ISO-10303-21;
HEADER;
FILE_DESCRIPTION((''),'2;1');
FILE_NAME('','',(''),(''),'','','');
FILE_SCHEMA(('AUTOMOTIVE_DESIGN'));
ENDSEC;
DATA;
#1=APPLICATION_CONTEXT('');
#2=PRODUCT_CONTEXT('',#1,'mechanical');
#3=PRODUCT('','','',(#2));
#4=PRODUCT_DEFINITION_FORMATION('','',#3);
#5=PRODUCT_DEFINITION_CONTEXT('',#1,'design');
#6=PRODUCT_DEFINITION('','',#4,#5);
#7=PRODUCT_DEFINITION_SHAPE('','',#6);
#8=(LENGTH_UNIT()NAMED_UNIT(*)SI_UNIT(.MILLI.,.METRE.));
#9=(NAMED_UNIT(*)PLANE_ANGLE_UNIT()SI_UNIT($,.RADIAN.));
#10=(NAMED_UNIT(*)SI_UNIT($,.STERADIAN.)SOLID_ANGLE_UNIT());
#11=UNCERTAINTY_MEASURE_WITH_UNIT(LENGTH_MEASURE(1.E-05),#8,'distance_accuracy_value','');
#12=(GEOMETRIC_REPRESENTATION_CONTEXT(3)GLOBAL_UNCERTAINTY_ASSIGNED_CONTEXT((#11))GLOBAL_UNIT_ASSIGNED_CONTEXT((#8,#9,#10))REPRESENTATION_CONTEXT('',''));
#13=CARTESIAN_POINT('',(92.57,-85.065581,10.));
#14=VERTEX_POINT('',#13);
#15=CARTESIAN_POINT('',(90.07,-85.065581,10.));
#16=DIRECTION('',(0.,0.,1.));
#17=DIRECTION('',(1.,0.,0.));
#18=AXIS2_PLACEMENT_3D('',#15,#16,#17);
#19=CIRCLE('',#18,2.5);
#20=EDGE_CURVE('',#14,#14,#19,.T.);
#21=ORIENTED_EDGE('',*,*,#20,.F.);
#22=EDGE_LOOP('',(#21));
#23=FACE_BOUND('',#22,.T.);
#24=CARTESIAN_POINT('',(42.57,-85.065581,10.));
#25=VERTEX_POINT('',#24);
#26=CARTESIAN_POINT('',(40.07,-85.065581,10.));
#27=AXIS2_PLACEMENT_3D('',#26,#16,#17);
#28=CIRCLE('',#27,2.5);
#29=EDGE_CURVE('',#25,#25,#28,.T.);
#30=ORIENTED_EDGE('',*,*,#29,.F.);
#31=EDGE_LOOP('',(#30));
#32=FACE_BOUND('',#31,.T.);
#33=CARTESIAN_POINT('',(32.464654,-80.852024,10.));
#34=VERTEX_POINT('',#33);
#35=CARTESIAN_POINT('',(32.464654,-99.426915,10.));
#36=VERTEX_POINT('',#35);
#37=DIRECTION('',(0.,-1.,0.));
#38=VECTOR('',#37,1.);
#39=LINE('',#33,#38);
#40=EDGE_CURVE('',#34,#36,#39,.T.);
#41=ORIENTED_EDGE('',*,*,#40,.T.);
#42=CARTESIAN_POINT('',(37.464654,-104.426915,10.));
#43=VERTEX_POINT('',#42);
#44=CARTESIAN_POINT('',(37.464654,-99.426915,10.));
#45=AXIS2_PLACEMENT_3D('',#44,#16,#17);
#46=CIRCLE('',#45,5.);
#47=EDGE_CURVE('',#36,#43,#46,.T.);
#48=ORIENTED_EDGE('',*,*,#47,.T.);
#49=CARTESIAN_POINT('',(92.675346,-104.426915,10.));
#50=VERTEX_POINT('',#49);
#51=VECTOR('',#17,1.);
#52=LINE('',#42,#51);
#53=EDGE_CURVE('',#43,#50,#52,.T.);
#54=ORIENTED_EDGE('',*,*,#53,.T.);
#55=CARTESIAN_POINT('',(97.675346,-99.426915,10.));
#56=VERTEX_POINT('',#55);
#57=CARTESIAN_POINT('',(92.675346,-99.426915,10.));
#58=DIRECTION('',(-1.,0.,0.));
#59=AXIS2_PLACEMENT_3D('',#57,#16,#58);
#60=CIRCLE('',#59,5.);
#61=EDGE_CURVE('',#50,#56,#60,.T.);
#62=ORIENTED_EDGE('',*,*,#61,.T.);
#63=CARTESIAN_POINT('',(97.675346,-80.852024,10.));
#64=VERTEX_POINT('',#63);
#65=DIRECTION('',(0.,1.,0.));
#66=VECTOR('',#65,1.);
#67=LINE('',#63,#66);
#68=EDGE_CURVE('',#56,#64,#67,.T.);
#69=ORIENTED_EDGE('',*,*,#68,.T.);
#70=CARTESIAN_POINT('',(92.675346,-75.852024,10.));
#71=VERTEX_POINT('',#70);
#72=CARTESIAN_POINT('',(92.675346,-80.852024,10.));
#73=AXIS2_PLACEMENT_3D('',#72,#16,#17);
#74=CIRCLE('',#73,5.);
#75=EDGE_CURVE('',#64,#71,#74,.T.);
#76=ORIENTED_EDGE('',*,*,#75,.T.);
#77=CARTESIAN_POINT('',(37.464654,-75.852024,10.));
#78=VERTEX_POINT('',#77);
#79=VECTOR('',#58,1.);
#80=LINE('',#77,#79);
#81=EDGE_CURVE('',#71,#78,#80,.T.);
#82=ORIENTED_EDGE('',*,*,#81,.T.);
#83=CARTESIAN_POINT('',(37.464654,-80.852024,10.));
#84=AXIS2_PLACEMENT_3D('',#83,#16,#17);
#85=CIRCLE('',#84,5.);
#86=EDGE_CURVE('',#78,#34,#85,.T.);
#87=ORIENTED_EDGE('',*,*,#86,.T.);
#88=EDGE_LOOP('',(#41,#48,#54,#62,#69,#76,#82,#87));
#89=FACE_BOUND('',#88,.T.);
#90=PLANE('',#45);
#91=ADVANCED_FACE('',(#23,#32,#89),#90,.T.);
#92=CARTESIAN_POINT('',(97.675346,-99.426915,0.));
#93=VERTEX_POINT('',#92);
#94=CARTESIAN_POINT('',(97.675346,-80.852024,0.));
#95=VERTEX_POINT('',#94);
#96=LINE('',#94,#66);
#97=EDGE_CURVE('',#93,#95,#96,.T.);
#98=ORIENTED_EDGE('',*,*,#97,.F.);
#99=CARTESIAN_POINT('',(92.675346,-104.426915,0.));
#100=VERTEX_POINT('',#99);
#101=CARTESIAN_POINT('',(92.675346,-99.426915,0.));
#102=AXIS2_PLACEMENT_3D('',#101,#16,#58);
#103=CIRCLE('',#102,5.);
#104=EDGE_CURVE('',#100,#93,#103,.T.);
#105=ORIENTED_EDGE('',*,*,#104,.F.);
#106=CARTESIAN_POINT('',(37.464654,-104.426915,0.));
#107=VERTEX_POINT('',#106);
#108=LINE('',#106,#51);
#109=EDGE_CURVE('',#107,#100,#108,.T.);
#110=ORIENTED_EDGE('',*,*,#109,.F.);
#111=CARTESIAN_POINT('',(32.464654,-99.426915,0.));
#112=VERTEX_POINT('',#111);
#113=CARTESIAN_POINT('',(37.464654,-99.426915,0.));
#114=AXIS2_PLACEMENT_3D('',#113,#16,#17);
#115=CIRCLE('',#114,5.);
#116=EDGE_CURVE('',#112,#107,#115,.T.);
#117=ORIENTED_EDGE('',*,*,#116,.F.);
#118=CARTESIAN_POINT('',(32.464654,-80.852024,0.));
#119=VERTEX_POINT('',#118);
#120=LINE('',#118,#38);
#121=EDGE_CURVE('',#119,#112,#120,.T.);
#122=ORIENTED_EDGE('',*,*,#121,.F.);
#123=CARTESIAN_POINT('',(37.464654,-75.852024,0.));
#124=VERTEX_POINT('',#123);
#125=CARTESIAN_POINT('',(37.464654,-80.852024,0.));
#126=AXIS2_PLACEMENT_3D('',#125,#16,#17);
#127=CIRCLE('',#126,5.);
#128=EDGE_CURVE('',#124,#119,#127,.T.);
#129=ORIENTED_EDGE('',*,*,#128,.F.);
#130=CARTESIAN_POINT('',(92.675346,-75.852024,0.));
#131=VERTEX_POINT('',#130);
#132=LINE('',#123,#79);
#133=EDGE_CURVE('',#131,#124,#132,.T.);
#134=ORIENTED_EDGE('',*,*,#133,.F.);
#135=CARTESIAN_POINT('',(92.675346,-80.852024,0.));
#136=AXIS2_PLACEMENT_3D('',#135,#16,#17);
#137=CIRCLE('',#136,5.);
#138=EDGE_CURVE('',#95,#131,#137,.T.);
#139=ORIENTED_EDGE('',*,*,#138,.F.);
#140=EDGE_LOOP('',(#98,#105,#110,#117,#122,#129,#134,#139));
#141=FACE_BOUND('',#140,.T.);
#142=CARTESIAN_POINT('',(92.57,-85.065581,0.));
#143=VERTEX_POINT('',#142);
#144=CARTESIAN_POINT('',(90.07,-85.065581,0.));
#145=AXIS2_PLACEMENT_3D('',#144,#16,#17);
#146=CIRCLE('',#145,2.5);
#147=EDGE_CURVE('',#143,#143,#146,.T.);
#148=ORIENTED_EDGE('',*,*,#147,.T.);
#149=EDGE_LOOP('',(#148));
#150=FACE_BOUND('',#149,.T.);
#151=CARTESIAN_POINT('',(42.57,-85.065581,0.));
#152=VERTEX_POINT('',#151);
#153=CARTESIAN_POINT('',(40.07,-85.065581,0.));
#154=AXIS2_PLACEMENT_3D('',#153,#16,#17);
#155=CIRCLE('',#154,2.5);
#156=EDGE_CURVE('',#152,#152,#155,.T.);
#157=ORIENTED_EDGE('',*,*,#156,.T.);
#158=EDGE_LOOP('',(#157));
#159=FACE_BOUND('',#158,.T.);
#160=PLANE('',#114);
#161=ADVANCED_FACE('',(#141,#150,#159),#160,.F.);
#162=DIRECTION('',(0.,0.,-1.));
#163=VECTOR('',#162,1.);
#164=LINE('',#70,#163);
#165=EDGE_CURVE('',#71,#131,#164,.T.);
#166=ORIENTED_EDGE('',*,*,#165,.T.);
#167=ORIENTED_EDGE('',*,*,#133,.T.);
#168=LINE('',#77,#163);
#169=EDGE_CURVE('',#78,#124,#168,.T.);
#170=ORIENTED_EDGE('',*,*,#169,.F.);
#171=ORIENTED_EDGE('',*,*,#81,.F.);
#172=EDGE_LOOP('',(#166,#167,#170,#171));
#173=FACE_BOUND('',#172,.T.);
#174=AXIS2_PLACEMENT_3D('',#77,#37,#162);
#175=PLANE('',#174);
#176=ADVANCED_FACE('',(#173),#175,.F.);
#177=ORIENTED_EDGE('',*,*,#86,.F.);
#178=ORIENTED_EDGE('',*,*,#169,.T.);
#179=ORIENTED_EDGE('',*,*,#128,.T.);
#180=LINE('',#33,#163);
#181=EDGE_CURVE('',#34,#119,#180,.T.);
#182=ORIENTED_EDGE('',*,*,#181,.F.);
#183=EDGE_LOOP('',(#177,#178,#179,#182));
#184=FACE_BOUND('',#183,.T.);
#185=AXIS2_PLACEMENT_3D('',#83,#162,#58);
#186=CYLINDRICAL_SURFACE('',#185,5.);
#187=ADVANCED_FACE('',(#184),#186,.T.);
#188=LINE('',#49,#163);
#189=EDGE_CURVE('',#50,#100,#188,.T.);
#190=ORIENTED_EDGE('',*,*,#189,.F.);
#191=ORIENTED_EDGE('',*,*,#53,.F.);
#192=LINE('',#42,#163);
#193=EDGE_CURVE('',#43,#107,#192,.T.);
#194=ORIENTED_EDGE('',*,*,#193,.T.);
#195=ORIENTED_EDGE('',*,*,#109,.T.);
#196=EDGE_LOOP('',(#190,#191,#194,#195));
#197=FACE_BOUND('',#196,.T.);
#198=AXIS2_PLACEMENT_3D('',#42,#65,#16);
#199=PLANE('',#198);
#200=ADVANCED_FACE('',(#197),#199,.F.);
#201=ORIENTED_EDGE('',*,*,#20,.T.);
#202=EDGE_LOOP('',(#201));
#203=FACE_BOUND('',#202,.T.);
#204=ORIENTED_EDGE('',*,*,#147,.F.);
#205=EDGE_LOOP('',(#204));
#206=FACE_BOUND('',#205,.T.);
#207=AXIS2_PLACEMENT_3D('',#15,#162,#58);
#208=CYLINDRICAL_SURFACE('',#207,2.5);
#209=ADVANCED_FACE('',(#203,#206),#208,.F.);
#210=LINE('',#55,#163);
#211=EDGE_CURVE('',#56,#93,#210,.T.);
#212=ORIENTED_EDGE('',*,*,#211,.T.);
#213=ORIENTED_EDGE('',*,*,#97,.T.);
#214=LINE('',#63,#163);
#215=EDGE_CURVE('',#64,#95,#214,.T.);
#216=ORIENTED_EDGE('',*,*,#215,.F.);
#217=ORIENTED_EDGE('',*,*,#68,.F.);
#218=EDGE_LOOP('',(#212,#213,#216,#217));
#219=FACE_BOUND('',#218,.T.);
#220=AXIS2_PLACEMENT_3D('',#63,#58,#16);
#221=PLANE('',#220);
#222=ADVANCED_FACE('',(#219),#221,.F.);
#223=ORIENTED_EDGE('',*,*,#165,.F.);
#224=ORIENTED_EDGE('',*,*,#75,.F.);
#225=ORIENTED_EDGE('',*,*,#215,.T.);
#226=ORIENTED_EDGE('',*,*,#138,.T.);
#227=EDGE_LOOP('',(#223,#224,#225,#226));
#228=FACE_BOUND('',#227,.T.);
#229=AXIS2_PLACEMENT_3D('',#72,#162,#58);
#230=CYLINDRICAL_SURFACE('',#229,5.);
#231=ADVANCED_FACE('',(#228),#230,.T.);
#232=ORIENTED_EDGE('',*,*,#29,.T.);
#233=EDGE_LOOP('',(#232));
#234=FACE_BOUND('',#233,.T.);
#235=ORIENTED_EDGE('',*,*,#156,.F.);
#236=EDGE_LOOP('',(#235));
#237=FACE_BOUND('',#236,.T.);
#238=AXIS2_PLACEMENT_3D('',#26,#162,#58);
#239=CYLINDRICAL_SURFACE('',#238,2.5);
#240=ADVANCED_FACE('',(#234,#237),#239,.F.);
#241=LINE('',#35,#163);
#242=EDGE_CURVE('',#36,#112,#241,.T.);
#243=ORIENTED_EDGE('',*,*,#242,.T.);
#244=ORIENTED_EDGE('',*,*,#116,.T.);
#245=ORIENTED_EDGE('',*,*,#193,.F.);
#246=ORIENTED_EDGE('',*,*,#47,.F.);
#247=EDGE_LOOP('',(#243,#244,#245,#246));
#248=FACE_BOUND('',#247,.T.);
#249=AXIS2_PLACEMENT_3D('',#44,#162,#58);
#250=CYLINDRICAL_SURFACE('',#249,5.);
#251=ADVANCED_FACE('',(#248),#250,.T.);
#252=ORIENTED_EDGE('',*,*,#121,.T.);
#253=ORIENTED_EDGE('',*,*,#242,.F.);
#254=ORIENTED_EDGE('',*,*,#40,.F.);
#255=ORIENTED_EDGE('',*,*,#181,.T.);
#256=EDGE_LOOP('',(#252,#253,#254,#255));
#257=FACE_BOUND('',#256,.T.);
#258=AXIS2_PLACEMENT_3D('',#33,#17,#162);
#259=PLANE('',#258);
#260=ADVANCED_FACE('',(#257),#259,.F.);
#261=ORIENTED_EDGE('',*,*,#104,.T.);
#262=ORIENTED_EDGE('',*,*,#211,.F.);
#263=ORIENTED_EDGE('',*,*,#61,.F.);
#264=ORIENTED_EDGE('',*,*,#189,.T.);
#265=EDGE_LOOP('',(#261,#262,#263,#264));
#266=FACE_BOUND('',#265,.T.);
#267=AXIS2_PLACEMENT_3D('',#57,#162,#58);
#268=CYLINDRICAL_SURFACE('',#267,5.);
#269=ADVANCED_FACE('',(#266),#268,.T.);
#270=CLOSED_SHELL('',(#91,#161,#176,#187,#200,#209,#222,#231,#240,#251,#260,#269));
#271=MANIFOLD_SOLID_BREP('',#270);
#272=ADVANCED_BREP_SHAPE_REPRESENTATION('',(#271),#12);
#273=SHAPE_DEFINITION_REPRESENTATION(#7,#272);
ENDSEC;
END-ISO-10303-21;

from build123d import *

# Parameters (mm, degrees)
SKETCH1_R           = 2.5
BOSS_EXTRUDE1_DEPTH = 10


with BuildPart() as part:
    # Sketch1 → Boss-Extrude1 (new body)
    with BuildSketch(Plane.XY):
        with BuildLine():
            Line((37.464654401, -75.852024497), (92.675345599, -75.852024497))
            ThreePointArc((92.675345599, -75.852024497), (96.210879505, -77.316490591), (97.675345599, -80.852024497))
            Line((97.675345599, -80.852024497), (97.675345599, -99.426914696))
            ThreePointArc((97.675345599, -99.426914696), (96.210879505, -102.962448602), (92.675345599, -104.426914696))
            Line((92.675345599, -104.426914696), (37.464654401, -104.426914696))
            ThreePointArc((37.464654401, -104.426914696), (33.929120495, -102.962448602), (32.464654401, -99.426914696))
            Line((32.464654401, -99.426914696), (32.464654401, -80.852024497))
            ThreePointArc((32.464654401, -80.852024497), (33.929120495, -77.316490591), (37.464654401, -75.852024497))
        make_face()
        with Locations((90.07, -85.065581077)):
            Circle(SKETCH1_R, mode=Mode.SUBTRACT)
        with Locations((40.07, -85.065581077)):
            Circle(SKETCH1_R, mode=Mode.SUBTRACT)
    extrude(amount=BOSS_EXTRUDE1_DEPTH)


solid = part.part
